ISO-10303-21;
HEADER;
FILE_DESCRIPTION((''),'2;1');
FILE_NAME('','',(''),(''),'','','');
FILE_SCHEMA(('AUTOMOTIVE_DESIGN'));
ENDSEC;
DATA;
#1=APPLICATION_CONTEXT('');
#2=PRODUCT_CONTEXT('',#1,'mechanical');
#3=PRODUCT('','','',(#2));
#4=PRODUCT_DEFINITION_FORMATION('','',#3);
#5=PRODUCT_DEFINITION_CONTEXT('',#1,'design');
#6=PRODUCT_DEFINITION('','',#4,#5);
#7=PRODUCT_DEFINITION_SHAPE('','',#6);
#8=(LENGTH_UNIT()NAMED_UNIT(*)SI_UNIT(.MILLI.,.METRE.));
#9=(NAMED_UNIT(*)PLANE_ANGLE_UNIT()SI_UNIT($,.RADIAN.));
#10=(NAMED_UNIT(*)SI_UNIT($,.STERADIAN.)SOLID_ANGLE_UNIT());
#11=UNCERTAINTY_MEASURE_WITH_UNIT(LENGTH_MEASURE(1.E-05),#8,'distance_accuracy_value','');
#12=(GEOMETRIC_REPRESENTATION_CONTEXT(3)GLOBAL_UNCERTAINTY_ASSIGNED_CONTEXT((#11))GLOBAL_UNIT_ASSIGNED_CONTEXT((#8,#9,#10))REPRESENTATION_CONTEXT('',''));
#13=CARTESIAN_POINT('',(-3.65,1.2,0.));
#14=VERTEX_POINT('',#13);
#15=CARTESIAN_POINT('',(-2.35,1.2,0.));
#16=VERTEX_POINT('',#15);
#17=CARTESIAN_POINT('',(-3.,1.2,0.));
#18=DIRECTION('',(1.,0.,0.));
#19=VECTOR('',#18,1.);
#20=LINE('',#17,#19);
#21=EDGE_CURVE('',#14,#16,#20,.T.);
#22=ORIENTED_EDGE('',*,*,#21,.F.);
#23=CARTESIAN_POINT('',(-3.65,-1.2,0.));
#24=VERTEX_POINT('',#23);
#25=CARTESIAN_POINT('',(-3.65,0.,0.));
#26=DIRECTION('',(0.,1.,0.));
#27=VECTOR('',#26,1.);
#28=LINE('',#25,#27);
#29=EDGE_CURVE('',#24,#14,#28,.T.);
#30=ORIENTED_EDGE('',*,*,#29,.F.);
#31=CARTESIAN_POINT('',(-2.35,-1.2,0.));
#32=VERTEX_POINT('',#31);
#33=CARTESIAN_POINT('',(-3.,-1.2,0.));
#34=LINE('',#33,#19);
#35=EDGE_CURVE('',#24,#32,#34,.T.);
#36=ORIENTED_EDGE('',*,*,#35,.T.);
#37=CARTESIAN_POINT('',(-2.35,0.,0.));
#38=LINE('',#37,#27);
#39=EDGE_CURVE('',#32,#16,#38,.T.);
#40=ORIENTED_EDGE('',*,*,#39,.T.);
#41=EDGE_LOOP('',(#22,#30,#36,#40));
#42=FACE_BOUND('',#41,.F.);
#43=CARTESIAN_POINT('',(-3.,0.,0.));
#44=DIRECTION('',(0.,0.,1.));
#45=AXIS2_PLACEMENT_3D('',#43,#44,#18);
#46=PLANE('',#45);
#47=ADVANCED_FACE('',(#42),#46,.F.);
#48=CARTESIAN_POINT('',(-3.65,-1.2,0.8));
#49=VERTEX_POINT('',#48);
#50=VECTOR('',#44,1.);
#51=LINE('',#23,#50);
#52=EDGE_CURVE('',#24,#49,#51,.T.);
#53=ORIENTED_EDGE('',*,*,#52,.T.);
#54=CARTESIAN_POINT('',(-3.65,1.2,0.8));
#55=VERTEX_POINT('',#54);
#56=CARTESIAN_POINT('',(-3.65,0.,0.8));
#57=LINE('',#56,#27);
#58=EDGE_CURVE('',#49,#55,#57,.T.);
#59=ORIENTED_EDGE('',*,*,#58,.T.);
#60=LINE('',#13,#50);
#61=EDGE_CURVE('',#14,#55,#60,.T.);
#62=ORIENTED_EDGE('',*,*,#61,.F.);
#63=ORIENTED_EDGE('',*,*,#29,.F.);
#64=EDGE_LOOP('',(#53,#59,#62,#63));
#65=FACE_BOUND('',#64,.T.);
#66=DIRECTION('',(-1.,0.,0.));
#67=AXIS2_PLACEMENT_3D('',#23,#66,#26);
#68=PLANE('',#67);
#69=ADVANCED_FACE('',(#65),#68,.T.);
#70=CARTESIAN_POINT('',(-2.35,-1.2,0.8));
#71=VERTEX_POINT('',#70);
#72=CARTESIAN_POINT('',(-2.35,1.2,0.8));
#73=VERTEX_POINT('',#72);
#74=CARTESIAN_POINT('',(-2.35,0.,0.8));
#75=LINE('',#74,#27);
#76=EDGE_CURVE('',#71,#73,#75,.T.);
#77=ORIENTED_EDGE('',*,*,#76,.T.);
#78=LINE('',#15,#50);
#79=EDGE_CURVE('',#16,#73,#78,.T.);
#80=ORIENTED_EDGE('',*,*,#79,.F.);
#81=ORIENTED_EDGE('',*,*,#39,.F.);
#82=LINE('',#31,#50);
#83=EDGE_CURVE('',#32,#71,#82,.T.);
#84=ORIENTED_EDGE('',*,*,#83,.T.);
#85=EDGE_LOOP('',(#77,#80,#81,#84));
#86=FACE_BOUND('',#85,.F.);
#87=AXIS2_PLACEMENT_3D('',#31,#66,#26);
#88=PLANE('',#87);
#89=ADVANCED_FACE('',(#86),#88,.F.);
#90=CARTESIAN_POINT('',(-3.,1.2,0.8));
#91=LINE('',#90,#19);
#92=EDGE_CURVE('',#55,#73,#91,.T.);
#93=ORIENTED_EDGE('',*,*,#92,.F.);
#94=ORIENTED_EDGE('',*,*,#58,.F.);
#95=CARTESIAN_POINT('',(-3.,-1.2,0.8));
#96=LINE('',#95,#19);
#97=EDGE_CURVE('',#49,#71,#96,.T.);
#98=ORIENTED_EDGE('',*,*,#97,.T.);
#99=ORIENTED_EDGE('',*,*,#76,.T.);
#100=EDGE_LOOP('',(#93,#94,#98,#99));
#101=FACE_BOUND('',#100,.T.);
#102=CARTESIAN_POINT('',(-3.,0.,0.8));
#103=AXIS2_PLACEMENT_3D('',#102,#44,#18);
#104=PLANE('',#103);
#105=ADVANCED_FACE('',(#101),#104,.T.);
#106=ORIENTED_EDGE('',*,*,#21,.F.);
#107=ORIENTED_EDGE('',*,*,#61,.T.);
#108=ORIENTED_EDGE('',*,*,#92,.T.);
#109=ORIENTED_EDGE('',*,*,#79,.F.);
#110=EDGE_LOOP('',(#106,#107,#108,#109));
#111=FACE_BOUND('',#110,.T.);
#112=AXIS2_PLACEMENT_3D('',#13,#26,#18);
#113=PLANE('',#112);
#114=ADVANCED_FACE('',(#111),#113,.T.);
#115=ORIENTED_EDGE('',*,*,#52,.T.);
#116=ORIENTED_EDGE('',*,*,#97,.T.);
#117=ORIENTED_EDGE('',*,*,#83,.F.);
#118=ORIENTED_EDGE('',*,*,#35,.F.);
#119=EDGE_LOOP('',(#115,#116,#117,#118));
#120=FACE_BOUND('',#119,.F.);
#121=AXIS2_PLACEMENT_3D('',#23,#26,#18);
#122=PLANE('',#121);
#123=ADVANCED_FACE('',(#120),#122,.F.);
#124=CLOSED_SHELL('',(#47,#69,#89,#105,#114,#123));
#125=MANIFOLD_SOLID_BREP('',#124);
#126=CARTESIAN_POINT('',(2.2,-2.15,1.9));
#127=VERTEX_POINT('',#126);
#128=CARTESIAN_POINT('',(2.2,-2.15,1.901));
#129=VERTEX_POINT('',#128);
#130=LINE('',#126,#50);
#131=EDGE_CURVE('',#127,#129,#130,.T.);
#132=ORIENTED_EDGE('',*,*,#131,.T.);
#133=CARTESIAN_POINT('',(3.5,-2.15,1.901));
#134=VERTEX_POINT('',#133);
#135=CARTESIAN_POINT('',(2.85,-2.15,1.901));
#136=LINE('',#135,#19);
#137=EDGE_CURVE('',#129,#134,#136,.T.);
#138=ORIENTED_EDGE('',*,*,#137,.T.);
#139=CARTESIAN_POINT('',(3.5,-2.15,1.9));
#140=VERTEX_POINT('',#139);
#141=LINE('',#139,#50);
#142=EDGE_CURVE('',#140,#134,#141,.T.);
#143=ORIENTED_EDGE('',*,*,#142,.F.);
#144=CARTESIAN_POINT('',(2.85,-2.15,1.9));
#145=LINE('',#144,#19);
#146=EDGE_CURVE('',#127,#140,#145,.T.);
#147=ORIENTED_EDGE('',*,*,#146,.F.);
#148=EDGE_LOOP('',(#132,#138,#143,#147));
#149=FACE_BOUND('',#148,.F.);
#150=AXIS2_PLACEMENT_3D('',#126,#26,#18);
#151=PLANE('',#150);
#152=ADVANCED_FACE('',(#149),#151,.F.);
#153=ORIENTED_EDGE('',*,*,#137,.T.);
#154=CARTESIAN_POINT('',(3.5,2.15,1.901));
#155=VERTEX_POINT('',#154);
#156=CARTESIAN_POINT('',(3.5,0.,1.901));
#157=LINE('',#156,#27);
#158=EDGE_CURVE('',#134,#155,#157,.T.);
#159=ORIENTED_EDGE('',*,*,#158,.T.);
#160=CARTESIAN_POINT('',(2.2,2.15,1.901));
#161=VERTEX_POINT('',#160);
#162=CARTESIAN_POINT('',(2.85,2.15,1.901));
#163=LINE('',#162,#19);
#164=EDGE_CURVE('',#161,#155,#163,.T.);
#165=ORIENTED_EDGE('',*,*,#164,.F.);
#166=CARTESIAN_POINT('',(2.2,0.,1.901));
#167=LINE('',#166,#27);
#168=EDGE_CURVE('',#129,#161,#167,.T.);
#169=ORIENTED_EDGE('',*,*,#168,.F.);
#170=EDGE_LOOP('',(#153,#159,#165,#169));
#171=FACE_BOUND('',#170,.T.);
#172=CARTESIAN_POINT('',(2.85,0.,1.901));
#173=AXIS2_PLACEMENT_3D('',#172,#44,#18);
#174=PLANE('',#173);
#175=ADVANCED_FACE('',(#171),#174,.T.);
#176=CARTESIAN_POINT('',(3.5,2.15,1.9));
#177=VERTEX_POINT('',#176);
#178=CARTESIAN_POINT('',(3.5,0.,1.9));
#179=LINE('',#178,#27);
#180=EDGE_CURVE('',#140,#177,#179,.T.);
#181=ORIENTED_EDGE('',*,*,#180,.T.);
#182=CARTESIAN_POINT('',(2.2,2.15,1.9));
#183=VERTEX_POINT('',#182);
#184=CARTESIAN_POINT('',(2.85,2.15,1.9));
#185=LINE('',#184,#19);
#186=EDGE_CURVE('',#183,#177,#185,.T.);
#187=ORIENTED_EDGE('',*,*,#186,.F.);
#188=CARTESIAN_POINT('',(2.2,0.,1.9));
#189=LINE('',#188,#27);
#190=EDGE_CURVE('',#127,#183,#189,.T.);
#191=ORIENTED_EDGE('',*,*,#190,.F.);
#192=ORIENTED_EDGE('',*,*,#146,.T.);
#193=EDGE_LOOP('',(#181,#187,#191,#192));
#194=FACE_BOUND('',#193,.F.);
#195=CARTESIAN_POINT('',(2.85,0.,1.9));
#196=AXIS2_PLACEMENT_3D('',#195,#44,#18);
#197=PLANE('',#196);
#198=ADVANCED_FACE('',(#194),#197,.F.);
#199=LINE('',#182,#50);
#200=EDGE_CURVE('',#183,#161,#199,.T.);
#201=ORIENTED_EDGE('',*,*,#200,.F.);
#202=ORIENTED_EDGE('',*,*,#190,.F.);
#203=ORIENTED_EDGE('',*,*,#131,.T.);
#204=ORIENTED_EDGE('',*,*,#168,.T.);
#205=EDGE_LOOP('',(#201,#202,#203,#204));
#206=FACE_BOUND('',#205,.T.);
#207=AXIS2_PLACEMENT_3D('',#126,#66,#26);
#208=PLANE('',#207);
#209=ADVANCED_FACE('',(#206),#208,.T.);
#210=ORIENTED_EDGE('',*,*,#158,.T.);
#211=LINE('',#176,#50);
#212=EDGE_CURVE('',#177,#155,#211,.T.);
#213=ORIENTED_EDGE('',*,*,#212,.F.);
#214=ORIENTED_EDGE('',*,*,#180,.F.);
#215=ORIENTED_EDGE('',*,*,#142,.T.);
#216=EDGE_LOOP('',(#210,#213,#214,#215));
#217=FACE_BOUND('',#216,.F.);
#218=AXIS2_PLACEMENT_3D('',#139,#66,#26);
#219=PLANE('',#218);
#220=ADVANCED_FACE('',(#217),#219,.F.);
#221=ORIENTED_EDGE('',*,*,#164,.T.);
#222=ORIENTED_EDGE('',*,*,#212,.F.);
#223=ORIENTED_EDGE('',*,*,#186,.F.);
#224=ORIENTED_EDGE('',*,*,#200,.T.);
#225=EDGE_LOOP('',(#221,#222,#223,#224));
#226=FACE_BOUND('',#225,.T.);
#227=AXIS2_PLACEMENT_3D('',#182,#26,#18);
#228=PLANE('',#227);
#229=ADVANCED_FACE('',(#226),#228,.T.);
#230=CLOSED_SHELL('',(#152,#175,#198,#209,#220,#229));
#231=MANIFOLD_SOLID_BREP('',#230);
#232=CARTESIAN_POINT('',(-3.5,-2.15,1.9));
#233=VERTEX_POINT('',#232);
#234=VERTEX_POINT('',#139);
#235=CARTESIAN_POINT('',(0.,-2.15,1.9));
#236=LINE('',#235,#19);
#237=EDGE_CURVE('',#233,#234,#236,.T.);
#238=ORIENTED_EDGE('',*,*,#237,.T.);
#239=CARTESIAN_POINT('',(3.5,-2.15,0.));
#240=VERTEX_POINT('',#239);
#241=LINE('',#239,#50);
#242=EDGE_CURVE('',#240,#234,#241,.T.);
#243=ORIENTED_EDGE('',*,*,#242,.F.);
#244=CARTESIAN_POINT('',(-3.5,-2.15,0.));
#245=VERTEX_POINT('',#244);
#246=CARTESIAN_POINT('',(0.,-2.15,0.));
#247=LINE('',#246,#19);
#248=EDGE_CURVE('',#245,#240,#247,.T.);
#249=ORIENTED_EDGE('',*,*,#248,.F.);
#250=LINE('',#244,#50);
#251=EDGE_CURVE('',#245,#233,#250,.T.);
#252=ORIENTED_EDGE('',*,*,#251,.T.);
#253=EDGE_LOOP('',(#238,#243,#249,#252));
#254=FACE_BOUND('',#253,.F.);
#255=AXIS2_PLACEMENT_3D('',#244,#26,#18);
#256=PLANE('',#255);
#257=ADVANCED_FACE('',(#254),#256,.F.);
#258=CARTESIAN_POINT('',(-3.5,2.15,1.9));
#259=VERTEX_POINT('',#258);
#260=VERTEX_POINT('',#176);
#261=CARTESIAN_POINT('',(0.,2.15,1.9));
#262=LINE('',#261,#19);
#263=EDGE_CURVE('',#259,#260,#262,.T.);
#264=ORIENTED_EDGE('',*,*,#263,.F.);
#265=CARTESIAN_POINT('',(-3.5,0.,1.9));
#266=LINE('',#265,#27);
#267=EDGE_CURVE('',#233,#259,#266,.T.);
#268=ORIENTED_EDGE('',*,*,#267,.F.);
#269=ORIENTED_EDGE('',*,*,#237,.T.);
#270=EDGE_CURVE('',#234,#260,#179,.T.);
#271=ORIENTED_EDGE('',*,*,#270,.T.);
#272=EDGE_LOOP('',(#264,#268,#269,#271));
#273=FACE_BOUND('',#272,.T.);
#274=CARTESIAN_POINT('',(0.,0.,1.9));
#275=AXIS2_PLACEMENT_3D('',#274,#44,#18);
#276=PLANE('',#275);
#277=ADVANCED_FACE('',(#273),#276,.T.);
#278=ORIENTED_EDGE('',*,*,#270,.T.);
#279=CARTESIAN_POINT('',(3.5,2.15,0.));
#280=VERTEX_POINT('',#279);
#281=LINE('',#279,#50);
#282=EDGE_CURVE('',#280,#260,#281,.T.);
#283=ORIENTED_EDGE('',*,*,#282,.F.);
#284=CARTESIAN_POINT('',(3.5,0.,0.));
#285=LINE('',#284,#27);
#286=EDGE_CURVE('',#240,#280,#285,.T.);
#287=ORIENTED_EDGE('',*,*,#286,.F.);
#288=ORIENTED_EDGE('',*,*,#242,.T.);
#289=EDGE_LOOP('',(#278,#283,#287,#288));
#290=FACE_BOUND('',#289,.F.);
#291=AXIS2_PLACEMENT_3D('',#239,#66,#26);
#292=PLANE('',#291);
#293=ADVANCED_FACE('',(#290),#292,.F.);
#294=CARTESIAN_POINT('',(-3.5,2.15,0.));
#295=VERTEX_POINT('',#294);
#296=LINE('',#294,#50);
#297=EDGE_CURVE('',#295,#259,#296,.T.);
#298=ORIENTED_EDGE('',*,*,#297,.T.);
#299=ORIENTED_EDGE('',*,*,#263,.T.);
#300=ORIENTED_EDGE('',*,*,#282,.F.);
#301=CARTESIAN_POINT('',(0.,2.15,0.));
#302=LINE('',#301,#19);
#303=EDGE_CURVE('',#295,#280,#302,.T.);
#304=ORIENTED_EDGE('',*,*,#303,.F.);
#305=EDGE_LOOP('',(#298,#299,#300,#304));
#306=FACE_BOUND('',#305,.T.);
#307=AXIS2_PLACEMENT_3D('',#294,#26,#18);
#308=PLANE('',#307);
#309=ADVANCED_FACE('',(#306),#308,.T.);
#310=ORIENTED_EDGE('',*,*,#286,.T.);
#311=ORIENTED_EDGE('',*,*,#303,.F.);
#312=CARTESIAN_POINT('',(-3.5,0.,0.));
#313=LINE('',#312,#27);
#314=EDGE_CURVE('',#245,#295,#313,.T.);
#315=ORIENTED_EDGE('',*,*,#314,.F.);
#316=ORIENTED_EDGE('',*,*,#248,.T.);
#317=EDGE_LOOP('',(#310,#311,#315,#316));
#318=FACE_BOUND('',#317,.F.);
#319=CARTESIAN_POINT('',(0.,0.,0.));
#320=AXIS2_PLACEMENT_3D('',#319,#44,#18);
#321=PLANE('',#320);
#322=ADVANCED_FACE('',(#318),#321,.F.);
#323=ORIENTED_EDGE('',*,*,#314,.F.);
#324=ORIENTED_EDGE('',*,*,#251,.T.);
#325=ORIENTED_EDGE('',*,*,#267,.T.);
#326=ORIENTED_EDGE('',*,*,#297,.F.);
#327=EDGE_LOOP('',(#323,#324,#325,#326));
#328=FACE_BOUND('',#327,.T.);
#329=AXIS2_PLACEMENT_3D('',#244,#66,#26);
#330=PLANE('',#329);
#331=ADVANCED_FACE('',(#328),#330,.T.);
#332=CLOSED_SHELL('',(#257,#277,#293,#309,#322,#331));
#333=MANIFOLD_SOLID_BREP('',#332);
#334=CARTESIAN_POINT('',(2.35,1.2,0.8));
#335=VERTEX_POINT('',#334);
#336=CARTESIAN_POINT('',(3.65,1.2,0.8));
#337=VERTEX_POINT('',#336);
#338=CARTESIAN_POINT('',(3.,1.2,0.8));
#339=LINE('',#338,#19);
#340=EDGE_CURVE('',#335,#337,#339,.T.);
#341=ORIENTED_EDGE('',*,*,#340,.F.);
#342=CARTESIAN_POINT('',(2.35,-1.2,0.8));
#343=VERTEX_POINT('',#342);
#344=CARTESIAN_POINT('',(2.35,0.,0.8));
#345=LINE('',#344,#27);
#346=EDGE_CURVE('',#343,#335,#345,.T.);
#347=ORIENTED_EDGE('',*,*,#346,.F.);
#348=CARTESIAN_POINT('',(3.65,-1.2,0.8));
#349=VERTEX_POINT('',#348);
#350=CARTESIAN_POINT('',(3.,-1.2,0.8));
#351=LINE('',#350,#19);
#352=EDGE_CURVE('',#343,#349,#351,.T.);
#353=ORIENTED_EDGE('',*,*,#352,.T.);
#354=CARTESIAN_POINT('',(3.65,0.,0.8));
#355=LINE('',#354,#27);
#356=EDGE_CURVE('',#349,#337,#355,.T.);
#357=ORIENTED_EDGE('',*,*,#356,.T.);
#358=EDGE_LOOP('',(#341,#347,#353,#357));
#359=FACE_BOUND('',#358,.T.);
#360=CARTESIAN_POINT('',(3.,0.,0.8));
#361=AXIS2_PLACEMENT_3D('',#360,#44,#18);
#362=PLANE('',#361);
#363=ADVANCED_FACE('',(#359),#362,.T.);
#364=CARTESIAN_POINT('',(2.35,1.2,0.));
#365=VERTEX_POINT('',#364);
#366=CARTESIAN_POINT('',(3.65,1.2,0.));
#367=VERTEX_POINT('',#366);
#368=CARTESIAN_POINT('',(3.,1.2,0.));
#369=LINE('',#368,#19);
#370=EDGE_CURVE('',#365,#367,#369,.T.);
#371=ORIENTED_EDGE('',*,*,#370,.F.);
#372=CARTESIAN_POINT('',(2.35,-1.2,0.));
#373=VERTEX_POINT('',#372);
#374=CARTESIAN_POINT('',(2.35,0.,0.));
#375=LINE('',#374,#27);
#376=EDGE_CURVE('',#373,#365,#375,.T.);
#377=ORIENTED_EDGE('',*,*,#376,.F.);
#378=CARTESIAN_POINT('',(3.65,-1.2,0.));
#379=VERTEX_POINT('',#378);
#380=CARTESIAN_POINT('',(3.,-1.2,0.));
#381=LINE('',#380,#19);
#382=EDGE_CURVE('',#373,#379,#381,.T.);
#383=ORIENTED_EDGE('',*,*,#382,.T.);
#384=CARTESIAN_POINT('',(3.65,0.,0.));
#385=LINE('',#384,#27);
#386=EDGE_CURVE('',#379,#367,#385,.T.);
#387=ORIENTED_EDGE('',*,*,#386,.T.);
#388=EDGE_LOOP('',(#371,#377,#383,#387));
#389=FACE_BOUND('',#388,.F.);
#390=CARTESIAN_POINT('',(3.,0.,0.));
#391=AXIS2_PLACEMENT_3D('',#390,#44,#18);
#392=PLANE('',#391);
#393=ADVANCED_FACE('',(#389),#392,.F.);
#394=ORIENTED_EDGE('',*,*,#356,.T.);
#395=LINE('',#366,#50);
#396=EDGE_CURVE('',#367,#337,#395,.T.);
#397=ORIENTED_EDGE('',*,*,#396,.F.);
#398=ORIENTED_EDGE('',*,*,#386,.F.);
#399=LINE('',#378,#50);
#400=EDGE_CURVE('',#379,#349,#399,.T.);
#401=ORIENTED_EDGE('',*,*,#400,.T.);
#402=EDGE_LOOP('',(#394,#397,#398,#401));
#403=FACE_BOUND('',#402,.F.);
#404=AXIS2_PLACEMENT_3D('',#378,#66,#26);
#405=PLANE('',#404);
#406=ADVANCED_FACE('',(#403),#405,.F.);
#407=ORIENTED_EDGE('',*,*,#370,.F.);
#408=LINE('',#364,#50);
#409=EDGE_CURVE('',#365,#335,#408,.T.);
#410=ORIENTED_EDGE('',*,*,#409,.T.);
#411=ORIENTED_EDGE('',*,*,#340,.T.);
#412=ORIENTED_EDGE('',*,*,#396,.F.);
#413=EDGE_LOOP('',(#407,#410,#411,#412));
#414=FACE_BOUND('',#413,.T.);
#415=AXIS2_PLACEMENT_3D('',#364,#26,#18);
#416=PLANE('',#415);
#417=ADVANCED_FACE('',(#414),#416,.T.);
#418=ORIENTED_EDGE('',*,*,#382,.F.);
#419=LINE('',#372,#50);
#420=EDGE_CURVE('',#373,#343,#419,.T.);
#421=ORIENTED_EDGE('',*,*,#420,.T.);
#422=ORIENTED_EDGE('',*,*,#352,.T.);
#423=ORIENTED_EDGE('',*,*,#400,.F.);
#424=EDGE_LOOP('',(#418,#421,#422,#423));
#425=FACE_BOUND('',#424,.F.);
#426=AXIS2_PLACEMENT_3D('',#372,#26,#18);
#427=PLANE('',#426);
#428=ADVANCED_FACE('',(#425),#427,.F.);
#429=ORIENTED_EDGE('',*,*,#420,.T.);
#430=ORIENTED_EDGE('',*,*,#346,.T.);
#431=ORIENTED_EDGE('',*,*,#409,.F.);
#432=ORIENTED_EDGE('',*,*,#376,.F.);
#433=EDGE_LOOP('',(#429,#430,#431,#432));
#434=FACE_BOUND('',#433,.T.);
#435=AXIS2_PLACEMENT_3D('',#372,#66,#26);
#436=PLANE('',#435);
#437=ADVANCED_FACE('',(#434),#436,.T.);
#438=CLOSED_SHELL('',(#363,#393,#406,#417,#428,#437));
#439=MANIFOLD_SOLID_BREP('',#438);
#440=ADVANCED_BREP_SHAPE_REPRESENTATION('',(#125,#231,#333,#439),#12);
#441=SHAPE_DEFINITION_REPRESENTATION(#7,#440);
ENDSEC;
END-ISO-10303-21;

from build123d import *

# Parameters (mm, degrees)
F0_W     = 1.3
F0_H     = 2.4
F1_DEPTH = 0.8
F2_W     = 7
F2_H     = 4.3
F3_DEPTH = 1.9
F4_W     = 1.3
F4_H     = 4.3
F5_DEPTH = 0.001


with BuildPart() as f1:
    # F0 (on Top) → F1 (new body)
    with BuildSketch(Plane.XY):
        with Locations((-3, 0)):
            Rectangle(F0_W, F0_H)
        with Locations((3, 0)):
            Rectangle(F0_W, F0_H)
    extrude(amount=F1_DEPTH)


with BuildPart() as f3:
    # F2 (on Top) → F3 (new body)
    with BuildSketch(Plane.XY):
        Rectangle(F2_W, F2_H)
    extrude(amount=F3_DEPTH)


with BuildPart() as f5:
    # F4 (on face) → F5 (new body)
    with BuildSketch(Plane.XY.offset(1.9)):
        with Locations((2.85, 0)):
            Rectangle(F4_W, F4_H)
    extrude(amount=F5_DEPTH)


solid = Compound([f1.part, f3.part, f5.part])
